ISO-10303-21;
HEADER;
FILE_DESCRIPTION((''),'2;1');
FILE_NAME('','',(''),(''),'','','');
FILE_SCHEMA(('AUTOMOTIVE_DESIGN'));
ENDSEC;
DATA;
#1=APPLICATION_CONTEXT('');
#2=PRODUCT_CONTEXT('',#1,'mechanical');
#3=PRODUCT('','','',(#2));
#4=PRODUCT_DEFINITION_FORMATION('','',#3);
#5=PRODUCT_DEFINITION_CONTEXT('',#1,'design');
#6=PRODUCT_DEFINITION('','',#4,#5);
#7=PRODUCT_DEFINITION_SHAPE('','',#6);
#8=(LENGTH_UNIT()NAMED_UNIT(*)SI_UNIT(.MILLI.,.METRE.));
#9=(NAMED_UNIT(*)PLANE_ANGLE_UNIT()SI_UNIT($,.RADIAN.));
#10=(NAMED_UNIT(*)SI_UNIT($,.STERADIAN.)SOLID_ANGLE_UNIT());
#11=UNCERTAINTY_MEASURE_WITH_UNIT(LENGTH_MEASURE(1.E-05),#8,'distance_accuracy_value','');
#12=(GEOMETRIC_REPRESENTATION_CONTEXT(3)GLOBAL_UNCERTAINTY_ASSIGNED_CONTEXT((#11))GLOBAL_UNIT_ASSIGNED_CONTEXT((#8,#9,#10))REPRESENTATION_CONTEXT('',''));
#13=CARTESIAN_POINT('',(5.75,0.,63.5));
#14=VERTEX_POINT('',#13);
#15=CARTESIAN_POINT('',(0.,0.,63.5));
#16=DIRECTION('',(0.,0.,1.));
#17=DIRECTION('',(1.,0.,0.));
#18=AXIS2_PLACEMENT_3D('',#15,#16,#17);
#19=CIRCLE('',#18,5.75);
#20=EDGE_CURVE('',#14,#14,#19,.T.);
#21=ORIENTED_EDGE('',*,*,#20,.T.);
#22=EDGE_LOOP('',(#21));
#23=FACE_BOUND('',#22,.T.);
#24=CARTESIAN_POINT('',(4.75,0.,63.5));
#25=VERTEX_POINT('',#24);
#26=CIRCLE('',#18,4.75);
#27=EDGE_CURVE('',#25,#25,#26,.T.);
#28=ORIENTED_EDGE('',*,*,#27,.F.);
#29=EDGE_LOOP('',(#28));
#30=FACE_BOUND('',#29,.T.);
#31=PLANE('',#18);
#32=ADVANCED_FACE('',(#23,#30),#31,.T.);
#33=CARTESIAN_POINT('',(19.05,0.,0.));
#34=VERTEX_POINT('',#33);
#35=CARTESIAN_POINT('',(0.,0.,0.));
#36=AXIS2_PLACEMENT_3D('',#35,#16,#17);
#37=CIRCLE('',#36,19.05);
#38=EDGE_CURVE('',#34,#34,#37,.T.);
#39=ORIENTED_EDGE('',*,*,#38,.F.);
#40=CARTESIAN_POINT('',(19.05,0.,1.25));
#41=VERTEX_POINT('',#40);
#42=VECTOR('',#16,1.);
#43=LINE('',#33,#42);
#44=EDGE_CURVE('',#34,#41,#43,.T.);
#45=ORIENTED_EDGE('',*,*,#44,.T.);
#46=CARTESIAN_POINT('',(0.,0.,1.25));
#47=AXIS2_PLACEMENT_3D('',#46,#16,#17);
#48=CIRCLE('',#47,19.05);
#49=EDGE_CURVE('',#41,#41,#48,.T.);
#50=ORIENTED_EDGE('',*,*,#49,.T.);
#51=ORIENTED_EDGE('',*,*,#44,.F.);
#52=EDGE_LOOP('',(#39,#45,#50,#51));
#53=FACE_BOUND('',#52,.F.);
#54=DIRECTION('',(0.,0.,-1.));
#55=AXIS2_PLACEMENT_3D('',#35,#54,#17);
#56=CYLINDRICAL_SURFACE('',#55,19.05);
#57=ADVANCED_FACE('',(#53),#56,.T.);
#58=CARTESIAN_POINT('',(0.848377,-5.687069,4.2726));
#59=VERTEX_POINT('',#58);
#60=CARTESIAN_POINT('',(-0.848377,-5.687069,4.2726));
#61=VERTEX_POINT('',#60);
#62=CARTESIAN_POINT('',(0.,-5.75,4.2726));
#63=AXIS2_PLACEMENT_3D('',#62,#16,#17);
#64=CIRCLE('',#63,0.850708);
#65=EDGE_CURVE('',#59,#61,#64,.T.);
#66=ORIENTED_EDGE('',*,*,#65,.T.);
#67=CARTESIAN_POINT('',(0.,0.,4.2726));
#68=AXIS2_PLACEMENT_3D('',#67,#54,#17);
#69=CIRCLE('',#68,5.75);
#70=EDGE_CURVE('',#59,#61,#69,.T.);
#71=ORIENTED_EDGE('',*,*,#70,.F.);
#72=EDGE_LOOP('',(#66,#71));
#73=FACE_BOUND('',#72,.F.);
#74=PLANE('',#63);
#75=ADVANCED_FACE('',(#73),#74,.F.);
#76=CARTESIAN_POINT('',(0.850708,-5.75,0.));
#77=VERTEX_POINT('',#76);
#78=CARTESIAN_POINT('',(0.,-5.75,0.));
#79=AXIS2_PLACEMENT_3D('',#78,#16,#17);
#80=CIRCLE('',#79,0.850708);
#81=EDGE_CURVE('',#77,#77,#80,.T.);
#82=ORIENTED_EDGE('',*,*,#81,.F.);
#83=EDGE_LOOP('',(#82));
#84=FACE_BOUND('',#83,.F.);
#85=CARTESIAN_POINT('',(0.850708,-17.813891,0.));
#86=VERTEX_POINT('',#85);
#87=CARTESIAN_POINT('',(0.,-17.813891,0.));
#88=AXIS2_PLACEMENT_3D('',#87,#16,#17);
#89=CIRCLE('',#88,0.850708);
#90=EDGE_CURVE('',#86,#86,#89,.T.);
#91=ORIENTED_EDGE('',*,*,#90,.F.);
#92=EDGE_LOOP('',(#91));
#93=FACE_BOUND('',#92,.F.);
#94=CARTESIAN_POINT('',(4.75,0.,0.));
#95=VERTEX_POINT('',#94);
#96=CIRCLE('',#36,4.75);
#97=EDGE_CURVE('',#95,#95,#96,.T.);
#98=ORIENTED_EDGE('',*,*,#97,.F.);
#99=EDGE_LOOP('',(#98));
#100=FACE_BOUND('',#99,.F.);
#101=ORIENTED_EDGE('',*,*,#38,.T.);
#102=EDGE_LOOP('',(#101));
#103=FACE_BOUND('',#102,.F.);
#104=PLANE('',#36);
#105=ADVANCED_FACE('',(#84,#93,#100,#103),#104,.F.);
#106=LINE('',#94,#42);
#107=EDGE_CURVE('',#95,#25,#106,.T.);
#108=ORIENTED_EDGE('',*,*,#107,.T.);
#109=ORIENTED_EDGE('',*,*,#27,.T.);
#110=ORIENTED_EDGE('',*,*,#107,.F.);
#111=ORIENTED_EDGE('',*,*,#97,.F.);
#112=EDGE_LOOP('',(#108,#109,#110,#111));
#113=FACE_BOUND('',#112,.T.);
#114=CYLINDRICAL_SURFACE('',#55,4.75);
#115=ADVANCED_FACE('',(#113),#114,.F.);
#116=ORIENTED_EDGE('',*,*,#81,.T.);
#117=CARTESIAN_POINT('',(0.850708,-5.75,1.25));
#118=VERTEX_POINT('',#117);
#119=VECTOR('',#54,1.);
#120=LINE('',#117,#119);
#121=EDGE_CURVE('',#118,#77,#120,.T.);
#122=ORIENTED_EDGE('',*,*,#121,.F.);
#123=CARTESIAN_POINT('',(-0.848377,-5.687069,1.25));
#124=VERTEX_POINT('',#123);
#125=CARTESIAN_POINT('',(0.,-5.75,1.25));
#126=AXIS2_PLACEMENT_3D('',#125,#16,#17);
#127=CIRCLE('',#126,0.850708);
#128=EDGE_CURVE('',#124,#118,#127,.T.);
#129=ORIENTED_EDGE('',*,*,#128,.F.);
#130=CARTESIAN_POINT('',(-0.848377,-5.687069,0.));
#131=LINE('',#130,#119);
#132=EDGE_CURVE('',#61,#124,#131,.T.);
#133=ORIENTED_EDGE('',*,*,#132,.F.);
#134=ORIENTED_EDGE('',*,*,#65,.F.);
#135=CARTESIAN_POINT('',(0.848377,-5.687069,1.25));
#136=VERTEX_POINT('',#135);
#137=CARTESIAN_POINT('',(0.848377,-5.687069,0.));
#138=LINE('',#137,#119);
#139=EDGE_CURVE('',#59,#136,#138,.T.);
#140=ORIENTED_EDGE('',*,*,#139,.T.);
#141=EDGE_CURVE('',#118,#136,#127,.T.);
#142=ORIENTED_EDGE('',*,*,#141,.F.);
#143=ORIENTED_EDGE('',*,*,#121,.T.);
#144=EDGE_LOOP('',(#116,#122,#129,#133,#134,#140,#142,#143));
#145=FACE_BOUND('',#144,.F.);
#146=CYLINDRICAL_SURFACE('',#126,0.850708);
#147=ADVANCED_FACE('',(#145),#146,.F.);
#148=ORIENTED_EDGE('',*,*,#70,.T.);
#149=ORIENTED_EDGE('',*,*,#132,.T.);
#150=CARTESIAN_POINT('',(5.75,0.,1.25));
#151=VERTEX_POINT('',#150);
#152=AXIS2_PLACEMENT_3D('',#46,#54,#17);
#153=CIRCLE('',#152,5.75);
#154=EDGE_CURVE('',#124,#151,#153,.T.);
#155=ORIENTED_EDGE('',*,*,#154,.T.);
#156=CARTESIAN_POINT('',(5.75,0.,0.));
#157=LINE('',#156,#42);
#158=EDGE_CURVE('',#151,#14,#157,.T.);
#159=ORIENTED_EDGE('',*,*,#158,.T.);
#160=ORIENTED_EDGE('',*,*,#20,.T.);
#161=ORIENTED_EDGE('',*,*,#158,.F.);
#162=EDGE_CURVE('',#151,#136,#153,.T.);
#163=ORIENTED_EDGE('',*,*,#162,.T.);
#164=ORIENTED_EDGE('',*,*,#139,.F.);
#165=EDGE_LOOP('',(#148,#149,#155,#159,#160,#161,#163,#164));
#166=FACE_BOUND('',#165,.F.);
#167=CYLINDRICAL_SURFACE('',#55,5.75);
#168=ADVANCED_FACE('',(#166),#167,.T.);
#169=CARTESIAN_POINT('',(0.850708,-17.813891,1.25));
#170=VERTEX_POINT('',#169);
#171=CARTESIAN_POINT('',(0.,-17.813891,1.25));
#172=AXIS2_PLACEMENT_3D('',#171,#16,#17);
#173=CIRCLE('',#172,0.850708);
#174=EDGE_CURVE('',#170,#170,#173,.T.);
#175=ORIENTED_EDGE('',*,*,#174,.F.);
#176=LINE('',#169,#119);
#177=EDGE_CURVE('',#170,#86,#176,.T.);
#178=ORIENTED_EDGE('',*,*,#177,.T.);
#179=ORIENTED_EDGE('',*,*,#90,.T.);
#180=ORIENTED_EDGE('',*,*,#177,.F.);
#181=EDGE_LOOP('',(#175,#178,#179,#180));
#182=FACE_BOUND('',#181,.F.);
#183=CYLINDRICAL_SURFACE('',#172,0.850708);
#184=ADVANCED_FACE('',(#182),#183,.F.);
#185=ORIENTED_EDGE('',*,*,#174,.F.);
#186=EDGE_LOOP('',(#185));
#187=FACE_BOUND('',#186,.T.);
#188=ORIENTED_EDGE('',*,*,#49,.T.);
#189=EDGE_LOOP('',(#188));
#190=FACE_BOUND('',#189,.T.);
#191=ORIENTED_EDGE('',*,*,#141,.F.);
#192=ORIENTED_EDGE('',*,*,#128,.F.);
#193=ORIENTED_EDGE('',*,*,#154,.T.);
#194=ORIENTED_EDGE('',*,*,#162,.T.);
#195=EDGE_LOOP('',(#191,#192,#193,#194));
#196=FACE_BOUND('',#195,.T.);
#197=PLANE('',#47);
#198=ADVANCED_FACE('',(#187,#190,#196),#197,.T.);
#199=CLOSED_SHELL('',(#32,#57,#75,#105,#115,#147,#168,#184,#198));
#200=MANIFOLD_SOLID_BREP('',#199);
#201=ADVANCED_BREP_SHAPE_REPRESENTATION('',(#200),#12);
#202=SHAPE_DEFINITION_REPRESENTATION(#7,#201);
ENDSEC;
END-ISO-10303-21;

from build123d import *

# Parameters (mm, degrees)
F0_R          = 19.05
F0_R_2        = 5.75
F0_R_3        = 4.75
F1_DEPTH      = 1.25
F2_DEPTH      = 63.5
F3_R          = 0.8507078104
F4_DEPTH      = 25.4
F4_DEPTH_BACK = 3.0226


with BuildPart() as f1:
    # F0 (on Top) → F1 (new body)
    with BuildSketch(Plane.XY):
        Circle(F0_R)
        Circle(F0_R_2, mode=Mode.SUBTRACT)
        Circle(F0_R_2)
        Circle(F0_R_3, mode=Mode.SUBTRACT)
    extrude(amount=F1_DEPTH)

    # F0 (on Top) → F2 (join)
    with BuildSketch(Plane.XY):
        Circle(F0_R_2)
        Circle(F0_R_3, mode=Mode.SUBTRACT)
    extrude(amount=F2_DEPTH)

    # F3 (on face) → F4 (cut, two sides)
    with BuildSketch(Plane.XY.offset(1.25)) as f4_sk:
        with Locations((0, -5.75)):
            Circle(F3_R)
        with Locations((0, -17.8138911724)):
            Circle(F3_R)
    extrude(amount=-F4_DEPTH, mode=Mode.SUBTRACT)
    extrude(f4_sk.sketch, amount=F4_DEPTH_BACK, mode=Mode.SUBTRACT)


solid = f1.part
